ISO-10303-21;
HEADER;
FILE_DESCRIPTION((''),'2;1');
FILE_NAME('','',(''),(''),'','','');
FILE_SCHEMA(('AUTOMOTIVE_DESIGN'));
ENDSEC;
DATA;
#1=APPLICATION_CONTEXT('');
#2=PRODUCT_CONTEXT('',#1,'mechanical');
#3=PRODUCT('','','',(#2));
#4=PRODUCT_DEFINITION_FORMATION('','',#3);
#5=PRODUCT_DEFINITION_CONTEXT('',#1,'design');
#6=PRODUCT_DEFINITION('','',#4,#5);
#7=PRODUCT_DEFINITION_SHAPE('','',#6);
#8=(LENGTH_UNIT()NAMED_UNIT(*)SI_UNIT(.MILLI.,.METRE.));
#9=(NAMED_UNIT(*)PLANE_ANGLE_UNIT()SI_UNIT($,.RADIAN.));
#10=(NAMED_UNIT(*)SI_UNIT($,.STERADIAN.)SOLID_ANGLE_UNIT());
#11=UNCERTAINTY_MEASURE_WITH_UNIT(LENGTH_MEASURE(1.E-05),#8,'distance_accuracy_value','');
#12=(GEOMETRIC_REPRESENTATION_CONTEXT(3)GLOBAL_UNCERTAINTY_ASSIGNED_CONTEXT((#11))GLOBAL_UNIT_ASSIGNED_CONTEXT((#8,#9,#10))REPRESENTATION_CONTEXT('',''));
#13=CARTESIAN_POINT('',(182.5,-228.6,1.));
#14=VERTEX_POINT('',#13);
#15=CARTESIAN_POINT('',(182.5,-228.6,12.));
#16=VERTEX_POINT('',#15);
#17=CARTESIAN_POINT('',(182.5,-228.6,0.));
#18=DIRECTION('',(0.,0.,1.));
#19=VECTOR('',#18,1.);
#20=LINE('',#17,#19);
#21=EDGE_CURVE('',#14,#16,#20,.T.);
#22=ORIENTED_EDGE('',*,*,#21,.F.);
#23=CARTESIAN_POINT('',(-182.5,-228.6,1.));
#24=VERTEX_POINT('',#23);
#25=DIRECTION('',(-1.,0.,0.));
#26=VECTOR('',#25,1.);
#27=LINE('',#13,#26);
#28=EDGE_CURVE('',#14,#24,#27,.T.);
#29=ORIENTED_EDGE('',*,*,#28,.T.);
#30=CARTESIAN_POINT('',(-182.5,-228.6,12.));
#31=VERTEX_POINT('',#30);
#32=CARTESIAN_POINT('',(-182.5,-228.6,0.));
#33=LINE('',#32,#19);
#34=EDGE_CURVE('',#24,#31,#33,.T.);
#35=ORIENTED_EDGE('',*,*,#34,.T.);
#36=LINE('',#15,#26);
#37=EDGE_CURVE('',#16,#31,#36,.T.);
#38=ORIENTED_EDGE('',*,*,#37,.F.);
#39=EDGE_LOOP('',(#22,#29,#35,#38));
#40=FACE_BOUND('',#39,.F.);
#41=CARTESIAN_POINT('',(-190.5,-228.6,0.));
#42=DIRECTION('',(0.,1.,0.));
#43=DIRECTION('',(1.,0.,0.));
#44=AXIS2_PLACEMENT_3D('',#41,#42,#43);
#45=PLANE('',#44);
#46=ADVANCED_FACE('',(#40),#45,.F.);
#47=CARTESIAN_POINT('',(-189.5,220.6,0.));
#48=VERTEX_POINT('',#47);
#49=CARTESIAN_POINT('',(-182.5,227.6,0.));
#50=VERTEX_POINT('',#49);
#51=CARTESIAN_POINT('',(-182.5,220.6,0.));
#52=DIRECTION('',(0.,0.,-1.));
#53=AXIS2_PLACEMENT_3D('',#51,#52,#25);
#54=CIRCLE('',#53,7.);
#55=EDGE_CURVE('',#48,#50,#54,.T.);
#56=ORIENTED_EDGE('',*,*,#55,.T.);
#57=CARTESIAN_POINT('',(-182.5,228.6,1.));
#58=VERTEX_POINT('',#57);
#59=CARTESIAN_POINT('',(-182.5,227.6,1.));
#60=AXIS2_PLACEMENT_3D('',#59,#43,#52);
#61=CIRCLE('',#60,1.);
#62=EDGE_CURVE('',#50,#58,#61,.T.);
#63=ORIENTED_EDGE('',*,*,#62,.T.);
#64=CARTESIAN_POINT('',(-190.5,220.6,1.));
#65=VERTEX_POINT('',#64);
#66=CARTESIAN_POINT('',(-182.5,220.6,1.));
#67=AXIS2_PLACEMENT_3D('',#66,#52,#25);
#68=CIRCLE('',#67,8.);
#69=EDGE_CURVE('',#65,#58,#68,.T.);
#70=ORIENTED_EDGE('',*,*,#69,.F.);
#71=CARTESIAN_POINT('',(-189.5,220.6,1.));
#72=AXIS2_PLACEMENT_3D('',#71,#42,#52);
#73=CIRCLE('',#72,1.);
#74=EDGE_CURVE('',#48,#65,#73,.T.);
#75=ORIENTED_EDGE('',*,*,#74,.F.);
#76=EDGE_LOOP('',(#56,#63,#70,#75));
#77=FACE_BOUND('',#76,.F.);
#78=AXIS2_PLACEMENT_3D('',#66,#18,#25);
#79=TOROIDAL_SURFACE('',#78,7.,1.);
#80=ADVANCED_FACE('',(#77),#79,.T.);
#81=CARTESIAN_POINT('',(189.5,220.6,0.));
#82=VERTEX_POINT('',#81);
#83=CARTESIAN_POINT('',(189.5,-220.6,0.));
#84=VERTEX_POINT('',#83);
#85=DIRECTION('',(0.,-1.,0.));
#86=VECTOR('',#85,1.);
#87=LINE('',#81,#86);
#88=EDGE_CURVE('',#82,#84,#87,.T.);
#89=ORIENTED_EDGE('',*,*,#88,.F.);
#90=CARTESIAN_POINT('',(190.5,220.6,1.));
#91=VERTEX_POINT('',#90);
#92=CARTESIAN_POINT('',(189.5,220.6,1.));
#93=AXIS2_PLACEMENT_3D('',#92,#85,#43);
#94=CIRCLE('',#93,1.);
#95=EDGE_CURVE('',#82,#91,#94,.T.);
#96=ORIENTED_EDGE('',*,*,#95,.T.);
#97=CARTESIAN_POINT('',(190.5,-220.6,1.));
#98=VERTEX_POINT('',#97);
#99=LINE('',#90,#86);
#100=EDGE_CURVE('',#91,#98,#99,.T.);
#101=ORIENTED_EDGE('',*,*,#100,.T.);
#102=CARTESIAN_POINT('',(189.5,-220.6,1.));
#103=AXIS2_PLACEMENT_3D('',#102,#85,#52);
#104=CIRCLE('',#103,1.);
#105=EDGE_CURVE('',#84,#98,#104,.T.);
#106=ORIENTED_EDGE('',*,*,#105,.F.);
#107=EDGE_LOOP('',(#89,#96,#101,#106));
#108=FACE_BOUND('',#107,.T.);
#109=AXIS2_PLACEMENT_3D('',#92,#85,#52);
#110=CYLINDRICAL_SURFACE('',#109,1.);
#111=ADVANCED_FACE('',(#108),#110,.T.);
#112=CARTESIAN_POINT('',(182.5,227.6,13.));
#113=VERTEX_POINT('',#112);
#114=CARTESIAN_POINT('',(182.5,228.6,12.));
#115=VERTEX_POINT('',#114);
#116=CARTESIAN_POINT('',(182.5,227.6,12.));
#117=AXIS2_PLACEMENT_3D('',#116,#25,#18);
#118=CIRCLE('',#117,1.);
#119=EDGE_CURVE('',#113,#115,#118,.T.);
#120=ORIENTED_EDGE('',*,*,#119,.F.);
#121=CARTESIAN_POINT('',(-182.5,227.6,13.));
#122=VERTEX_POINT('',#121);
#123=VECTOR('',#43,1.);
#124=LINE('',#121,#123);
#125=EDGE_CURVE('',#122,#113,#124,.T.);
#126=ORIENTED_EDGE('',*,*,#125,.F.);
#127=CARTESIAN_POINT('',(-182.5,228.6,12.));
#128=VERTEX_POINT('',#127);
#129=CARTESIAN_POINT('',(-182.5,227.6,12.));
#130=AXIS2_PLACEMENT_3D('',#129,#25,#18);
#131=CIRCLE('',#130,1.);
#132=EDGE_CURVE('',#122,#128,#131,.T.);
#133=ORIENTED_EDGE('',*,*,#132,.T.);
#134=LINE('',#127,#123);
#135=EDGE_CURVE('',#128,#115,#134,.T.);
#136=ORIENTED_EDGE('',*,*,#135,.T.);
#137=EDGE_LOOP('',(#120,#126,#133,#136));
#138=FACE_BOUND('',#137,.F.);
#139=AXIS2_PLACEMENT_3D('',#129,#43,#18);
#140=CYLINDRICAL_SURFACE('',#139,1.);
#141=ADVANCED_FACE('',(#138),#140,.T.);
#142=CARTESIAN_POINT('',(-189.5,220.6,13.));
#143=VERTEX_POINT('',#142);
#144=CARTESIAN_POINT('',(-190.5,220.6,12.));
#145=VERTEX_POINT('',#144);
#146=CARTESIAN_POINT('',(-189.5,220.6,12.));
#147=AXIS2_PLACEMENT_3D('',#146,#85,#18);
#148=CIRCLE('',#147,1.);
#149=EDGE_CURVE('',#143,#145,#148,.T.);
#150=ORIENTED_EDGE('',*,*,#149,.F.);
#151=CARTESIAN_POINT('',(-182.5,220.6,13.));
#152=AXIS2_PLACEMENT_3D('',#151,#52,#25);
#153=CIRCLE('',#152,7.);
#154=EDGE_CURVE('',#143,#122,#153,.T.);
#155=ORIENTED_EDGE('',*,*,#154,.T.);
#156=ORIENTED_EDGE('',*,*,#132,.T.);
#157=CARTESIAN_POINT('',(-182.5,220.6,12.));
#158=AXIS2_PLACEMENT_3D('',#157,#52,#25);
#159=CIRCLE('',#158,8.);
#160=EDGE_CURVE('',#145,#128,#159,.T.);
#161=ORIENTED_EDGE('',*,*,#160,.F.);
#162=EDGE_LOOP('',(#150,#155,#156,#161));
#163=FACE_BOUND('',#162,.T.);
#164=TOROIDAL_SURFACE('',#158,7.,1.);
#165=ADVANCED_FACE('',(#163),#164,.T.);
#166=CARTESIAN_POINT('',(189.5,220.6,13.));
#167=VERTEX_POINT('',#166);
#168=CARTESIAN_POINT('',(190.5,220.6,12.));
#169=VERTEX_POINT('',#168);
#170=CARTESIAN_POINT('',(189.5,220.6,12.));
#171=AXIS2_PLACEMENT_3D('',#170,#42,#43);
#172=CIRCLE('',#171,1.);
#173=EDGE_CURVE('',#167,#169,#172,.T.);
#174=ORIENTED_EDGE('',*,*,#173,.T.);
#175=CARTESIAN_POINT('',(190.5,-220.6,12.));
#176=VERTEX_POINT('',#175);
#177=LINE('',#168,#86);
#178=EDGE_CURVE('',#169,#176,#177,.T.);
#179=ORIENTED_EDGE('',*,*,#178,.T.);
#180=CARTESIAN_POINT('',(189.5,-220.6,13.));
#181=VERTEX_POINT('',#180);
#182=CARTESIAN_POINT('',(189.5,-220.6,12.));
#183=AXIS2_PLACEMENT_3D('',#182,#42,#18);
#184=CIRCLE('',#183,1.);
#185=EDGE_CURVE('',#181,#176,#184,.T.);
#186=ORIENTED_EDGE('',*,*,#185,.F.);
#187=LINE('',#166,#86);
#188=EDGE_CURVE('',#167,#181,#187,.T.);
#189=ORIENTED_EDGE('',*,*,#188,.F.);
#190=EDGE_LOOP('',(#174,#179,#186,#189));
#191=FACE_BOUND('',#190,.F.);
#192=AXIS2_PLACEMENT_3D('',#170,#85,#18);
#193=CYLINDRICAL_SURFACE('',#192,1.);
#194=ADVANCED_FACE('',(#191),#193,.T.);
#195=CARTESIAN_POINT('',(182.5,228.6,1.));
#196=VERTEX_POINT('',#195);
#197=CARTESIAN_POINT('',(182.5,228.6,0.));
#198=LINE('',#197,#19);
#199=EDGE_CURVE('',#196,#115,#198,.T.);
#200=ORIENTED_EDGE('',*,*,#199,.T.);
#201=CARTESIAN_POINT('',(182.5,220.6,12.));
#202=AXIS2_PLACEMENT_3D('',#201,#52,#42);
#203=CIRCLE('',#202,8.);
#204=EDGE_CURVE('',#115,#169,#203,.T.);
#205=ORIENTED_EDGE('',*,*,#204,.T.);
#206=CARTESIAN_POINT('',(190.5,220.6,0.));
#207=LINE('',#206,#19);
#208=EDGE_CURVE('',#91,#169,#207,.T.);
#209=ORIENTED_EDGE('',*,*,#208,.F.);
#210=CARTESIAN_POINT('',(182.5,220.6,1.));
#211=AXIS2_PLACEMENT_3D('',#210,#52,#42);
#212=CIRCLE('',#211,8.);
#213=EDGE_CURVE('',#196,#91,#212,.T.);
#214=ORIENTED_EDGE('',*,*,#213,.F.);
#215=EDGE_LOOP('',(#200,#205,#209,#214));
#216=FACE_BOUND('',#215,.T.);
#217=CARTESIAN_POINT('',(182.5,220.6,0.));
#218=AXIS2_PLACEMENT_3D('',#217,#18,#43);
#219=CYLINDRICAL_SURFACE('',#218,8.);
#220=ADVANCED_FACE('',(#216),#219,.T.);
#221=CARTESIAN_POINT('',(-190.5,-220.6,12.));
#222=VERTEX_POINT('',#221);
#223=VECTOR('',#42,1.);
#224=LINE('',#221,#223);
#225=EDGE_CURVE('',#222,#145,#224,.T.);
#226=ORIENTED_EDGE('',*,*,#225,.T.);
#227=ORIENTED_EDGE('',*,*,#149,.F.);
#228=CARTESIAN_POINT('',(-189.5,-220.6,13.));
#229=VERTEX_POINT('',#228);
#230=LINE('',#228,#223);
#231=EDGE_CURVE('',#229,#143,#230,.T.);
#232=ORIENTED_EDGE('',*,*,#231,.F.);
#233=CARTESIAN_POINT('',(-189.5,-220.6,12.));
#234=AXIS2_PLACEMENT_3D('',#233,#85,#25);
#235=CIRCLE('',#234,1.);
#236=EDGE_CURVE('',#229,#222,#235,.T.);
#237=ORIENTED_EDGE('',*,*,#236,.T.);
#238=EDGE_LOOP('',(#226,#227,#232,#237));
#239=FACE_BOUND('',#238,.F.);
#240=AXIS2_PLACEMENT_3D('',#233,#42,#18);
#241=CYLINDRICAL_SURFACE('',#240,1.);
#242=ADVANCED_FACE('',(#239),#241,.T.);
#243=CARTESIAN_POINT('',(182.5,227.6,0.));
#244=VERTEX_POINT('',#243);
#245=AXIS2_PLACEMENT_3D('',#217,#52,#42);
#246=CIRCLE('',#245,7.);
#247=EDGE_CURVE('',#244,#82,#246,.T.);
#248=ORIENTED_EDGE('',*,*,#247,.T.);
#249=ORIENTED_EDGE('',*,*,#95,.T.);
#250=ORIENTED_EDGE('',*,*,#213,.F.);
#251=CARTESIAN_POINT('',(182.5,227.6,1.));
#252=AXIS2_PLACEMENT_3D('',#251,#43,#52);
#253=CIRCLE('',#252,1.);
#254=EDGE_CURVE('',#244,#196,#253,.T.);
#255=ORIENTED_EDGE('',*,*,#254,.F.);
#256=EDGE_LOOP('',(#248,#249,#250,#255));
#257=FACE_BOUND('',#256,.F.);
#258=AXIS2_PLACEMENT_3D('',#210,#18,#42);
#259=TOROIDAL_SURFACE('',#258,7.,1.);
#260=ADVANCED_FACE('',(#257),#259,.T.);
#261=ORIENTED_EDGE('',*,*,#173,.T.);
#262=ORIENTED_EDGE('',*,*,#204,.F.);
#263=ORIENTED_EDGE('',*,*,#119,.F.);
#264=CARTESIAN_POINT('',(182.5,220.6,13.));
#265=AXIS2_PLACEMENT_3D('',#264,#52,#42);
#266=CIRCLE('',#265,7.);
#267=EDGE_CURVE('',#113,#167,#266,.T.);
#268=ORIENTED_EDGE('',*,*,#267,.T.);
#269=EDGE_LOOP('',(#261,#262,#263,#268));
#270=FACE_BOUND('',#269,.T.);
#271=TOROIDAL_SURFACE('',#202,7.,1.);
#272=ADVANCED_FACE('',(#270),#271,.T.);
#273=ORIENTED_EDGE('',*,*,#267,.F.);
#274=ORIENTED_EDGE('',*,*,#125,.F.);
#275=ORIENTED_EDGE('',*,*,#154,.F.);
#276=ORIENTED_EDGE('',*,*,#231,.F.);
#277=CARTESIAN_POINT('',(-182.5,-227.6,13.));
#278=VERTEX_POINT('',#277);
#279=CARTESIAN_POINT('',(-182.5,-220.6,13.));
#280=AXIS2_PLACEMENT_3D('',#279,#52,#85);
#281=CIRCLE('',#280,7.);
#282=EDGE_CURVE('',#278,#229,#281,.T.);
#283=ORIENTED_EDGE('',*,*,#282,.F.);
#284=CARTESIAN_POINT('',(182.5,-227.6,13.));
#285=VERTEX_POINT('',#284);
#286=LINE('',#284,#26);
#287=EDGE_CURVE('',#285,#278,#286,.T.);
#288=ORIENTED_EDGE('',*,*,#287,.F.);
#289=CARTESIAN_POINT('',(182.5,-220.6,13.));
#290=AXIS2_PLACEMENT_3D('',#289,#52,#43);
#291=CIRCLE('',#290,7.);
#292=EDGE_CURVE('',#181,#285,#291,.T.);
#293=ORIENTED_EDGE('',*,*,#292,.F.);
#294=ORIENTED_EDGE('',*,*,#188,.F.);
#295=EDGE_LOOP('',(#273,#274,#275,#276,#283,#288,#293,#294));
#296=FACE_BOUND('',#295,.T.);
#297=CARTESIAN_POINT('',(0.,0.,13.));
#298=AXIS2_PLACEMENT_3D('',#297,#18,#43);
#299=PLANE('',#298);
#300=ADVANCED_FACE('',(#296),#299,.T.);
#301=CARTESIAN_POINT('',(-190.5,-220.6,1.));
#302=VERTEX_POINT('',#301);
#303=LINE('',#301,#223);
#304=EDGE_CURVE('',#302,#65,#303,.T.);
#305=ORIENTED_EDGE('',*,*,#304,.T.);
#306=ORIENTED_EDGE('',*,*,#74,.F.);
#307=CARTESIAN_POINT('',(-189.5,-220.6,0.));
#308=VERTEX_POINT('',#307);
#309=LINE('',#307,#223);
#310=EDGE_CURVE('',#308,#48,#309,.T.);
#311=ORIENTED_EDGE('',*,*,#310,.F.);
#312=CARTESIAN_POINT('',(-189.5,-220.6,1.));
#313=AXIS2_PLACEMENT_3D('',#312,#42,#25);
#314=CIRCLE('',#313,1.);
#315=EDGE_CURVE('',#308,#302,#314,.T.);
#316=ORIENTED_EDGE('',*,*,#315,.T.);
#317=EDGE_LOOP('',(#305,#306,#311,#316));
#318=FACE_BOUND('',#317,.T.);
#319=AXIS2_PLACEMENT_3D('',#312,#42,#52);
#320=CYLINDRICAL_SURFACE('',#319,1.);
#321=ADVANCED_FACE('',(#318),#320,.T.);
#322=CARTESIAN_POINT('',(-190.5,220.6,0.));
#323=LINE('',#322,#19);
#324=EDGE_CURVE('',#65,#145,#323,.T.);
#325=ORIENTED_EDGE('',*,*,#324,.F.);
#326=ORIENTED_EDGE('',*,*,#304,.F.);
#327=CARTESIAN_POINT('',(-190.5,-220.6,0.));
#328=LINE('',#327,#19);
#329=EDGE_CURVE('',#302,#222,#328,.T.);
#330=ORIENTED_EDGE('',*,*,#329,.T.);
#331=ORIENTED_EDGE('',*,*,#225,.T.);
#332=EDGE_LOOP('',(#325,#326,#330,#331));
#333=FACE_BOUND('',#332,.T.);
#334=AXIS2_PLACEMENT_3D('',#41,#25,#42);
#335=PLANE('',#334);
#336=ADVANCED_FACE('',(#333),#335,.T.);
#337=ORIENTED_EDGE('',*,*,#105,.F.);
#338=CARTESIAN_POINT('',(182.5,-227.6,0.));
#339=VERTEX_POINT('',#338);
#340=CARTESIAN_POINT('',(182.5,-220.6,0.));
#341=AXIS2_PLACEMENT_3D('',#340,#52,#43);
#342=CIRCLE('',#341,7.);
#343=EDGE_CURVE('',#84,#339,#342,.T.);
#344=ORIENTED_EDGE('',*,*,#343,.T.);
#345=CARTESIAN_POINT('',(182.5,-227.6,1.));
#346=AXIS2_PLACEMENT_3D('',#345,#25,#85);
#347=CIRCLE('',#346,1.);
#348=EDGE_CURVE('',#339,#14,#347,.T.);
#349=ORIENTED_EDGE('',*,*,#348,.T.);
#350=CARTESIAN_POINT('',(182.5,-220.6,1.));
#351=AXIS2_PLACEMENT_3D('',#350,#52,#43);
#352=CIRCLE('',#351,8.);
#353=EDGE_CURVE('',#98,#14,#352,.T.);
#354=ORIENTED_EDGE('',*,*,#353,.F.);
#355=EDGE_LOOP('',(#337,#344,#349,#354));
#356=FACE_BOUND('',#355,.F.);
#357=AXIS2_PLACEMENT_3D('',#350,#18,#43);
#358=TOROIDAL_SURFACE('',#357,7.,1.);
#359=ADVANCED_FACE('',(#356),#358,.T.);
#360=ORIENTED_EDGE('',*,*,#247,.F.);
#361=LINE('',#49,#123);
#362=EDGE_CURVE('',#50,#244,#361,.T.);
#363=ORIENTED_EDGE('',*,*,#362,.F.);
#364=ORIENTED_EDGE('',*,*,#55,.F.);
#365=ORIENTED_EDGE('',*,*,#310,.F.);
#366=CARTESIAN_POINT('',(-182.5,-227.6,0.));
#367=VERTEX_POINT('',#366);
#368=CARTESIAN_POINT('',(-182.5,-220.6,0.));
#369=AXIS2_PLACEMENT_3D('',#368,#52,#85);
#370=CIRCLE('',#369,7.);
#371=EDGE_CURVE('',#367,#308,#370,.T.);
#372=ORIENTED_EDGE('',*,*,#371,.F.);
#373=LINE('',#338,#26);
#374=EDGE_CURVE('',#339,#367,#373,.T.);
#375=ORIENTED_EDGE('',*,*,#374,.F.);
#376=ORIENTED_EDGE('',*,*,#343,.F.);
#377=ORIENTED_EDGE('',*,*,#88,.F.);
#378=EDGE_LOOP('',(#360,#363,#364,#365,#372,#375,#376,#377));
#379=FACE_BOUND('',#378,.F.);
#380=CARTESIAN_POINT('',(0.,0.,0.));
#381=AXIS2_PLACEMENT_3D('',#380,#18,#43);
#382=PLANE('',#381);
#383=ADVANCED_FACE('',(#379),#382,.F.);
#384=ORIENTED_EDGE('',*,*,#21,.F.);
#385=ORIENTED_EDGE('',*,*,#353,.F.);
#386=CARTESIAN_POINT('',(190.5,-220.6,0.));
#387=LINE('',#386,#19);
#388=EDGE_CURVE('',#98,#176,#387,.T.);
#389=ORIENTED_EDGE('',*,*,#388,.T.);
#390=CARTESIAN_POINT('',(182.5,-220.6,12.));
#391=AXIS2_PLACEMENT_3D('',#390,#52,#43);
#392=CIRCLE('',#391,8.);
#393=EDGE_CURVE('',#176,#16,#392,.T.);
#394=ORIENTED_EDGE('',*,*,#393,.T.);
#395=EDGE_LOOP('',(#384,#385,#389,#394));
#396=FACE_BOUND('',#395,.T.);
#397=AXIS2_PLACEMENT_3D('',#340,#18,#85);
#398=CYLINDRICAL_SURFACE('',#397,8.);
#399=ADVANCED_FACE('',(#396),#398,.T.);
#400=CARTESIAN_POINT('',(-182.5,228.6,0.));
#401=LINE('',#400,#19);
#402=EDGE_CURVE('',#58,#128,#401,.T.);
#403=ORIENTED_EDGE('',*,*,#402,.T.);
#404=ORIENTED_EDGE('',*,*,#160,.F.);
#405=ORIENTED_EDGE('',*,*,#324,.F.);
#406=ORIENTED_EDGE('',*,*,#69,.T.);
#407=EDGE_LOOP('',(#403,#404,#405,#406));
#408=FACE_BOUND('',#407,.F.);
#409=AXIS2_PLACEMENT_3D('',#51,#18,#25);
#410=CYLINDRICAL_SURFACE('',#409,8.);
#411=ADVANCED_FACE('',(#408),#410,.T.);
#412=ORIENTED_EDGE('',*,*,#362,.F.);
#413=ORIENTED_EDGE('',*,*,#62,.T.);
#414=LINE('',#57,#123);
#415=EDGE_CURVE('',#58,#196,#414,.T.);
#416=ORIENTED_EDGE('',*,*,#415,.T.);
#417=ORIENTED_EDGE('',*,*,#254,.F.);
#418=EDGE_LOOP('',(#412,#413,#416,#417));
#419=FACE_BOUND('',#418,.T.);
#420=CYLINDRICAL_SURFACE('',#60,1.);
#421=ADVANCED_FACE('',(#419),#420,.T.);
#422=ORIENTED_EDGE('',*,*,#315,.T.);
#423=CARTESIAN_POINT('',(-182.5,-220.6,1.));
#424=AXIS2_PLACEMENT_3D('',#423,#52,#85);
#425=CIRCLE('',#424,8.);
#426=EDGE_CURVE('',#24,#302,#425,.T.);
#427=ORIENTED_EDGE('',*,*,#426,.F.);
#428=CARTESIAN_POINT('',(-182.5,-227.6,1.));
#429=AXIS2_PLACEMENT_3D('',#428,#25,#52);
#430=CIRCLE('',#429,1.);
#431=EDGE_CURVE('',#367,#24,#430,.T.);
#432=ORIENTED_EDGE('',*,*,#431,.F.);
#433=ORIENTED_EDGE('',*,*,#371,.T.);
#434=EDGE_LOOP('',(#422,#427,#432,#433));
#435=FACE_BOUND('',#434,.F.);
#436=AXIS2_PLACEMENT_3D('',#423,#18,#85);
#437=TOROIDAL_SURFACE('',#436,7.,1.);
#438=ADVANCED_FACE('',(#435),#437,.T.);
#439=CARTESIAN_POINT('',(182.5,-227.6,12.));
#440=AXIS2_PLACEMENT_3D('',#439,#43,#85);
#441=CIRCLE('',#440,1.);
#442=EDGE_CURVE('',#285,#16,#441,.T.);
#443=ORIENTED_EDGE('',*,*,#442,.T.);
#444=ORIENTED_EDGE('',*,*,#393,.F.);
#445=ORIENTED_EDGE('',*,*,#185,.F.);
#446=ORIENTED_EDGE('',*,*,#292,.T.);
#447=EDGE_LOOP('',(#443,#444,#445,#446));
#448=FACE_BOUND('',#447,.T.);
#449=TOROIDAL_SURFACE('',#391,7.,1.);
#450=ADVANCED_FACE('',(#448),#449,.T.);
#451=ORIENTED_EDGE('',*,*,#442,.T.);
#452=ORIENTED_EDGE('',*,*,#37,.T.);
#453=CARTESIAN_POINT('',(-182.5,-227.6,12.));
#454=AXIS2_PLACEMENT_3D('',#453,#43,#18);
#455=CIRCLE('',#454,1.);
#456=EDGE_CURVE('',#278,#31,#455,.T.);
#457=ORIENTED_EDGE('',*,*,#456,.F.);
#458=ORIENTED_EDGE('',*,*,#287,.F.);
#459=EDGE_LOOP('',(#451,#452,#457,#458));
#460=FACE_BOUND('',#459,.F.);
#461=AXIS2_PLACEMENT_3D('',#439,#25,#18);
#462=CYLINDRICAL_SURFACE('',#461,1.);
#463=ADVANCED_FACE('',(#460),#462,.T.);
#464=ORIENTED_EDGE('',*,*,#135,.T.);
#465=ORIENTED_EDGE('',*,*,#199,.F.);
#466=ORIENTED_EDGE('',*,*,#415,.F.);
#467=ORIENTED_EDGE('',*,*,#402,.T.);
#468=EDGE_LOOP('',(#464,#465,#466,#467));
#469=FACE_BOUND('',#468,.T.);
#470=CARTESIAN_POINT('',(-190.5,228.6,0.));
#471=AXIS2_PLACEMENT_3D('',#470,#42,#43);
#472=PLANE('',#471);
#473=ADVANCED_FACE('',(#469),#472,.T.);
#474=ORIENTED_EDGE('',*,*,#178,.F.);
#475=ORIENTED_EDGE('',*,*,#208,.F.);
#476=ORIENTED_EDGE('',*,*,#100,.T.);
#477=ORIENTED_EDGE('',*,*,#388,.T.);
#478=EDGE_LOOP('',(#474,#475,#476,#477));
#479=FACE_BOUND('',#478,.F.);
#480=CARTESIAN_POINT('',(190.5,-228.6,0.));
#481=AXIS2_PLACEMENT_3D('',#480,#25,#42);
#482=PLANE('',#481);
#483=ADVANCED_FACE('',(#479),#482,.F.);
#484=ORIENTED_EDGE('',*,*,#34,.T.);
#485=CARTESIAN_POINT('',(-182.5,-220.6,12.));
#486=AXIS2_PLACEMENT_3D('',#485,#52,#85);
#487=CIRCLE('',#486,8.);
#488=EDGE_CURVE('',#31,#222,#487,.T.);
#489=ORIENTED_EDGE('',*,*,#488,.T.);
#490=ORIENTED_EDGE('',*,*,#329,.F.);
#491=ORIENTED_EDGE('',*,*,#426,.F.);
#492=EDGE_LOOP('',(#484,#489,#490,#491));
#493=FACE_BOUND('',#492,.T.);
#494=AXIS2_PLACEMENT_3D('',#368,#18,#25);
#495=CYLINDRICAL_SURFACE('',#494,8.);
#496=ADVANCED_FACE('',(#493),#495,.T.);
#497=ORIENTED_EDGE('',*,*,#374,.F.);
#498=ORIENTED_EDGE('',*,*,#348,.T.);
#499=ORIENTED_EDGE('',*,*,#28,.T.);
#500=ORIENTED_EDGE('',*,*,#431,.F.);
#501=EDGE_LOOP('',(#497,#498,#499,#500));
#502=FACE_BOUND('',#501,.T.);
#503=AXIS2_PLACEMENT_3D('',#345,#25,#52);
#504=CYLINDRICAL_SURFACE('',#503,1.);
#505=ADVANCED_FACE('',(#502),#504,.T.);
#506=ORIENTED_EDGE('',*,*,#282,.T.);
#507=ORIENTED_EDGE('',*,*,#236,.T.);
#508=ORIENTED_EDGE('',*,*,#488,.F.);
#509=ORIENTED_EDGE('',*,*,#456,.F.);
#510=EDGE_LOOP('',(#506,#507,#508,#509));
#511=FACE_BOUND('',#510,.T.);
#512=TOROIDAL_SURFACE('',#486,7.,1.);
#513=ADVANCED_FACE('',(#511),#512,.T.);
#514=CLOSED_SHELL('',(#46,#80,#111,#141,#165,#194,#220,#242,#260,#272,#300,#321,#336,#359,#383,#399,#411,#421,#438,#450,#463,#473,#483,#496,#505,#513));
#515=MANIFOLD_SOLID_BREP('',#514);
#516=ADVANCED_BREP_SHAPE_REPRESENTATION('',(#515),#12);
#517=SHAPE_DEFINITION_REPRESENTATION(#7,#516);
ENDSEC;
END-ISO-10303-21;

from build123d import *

# Parameters (mm, degrees)
SKETCH1_W           = 381
SKETCH1_H           = 457.2
BOSS_EXTRUDE1_DEPTH = 13
FILLET1_R           = 8
FILLET2_R           = 1


with BuildPart() as part:
    # Sketch1 → Boss-Extrude1 (new body)
    with BuildSketch(Plane.XY):
        Rectangle(SKETCH1_W, SKETCH1_H)
    extrude(amount=BOSS_EXTRUDE1_DEPTH)

    # Fillet1
    fillet1_edges = [part.edges().sort_by_distance(p)[0] for p in [
        (190.5, -228.6, 6.5),
        (-190.5, -228.6, 6.5),
        (-190.5, 228.6, 6.5),
        (190.5, 228.6, 6.5),
    ]]
    fillet(fillet1_edges, radius=FILLET1_R)

    # Fillet2
    fillet2_edges = [part.edges().sort_by_distance(p)[0] for p in [
        (0, 228.6, 0),
        (0, 228.6, 13),
        (190.5, 0, 0),
        (0, -228.6, 0),
        (-190.5, 0, 0),
        (-188.156854249, -226.256854249, 0),
        (188.156854249, -226.256854249, 0),
        (-188.156854249, 226.256854249, 0),
        (188.156854249, 226.256854249, 0),
        (190.5, 0, 13),
        (-190.5, 0, 13),
        (0, -228.6, 13),
        (-188.156854249, -226.256854249, 13),
        (188.156854249, -226.256854249, 13),
        (-188.156854249, 226.256854249, 13),
        (188.156854249, 226.256854249, 13),
    ]]
    fillet(fillet2_edges, radius=FILLET2_R)


solid = part.part
